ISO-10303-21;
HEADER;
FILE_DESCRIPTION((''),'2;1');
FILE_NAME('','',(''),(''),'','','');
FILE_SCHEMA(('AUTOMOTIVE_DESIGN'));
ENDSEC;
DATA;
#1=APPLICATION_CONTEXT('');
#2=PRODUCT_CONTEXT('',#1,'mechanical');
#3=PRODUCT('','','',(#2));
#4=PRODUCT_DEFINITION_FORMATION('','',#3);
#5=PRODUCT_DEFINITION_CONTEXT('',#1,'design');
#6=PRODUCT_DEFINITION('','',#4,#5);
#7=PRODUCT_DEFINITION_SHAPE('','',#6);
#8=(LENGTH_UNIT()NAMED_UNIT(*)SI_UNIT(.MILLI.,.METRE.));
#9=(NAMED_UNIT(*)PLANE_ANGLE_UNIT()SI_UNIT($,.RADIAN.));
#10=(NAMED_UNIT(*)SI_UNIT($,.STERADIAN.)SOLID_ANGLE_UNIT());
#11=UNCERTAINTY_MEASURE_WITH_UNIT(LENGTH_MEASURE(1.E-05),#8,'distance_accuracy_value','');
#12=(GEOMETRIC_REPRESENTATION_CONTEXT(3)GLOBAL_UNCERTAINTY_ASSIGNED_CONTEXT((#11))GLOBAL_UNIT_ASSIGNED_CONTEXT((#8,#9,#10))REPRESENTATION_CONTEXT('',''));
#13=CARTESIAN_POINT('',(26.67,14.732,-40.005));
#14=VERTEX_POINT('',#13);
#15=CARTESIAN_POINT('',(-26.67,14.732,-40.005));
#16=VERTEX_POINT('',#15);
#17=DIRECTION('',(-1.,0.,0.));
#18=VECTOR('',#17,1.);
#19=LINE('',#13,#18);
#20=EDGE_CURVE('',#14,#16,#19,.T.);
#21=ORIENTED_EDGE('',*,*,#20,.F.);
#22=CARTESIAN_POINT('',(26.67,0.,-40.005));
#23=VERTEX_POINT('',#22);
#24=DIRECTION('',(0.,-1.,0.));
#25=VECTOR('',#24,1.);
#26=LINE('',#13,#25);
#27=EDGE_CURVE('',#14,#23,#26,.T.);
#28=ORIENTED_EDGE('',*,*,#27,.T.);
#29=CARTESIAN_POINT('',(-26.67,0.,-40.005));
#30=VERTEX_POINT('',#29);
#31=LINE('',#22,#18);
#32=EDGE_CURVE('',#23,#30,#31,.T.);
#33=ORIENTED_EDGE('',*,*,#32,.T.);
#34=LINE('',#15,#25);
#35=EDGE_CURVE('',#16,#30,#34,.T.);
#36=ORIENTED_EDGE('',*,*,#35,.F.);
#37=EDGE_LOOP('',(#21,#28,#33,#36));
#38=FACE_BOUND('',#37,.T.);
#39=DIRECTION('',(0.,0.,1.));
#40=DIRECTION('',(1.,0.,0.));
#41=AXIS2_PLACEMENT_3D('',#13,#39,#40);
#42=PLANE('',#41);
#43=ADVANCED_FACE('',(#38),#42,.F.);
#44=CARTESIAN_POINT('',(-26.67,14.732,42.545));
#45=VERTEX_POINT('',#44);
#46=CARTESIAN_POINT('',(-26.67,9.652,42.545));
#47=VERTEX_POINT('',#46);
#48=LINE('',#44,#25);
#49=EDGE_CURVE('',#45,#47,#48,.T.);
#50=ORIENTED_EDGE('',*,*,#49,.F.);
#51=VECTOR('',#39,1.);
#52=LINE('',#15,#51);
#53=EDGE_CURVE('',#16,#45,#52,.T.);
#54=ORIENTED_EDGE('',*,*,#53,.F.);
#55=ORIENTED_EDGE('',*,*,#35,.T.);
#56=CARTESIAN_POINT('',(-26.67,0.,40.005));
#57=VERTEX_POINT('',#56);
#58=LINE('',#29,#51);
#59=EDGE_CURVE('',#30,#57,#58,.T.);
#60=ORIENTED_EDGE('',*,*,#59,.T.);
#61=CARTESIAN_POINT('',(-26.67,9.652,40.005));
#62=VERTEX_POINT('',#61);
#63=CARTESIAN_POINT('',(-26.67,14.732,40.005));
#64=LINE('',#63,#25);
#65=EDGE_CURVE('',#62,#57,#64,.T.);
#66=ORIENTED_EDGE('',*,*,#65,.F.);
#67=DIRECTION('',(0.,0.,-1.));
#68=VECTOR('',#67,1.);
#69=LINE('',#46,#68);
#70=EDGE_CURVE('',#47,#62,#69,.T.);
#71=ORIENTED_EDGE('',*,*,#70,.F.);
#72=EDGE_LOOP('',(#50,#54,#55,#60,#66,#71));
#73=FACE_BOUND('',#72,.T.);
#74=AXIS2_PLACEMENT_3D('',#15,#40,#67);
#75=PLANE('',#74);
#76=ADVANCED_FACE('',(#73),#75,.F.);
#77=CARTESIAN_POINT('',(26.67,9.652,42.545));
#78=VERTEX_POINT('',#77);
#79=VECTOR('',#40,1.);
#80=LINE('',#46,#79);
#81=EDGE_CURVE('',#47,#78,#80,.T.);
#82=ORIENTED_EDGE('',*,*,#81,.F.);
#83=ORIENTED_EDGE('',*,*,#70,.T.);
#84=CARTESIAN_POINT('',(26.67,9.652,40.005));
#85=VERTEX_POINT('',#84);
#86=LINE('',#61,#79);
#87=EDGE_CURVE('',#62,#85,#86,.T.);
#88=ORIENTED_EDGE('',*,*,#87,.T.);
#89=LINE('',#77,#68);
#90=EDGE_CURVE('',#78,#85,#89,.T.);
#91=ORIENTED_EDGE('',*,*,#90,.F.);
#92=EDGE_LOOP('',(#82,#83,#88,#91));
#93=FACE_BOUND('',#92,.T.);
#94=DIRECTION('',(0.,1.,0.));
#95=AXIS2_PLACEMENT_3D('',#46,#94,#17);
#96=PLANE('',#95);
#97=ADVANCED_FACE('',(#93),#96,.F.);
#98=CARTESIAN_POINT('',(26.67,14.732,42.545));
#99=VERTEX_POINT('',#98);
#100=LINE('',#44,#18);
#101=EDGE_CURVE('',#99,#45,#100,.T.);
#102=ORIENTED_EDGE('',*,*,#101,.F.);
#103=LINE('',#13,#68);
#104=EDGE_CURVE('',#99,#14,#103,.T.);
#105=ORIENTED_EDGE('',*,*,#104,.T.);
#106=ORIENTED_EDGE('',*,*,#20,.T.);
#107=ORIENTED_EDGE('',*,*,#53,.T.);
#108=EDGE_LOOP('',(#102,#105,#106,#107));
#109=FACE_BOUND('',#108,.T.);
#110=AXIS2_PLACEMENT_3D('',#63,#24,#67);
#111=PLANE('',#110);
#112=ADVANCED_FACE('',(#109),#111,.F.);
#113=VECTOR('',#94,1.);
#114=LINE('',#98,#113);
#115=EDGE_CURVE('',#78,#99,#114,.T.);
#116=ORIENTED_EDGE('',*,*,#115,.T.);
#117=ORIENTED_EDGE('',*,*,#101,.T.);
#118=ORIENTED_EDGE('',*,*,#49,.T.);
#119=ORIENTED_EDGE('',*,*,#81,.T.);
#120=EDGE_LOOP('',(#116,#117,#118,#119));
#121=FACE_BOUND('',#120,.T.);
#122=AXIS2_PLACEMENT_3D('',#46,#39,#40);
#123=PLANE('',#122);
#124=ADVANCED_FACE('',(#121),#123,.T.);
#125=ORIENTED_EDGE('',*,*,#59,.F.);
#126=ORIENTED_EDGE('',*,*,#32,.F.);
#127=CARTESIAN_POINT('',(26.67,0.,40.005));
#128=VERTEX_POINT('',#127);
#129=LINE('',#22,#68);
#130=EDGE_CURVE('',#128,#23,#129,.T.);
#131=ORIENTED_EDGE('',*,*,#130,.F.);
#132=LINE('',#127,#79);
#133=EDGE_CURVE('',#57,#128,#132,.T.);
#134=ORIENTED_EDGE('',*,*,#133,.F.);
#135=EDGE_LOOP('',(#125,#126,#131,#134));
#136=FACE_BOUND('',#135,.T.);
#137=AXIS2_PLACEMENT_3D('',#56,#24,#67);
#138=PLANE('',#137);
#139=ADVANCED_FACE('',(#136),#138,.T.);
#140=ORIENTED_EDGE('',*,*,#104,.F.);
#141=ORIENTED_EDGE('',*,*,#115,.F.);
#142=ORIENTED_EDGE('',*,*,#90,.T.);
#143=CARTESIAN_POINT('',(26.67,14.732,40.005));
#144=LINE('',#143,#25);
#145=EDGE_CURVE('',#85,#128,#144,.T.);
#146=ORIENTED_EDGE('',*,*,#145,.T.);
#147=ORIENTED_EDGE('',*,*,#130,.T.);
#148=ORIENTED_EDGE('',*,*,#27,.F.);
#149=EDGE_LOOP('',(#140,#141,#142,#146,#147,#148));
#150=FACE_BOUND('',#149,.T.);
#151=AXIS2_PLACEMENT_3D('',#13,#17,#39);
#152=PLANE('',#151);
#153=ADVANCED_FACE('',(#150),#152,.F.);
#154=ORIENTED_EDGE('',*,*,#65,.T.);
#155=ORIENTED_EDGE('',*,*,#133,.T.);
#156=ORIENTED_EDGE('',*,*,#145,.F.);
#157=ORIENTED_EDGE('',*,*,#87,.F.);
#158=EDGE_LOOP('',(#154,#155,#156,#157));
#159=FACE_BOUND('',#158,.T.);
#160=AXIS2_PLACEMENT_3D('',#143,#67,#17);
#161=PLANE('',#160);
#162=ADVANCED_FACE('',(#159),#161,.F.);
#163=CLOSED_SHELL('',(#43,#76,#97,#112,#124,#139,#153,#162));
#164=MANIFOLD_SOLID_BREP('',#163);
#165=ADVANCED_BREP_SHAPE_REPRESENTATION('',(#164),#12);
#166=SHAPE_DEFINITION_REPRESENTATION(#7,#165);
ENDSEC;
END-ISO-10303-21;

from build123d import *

# Parameters (mm, degrees)
SKETCH1_W           = 53.34
SKETCH1_H           = 80.01
BOSS_EXTRUDE1_DEPTH = 14.732
SKETCH2_W           = 53.34
SKETCH2_H           = 5.08
BOSS_EXTRUDE2_DEPTH = 2.54


with BuildPart() as part:
    # Sketch1 → Boss-Extrude1 (new body)
    with BuildSketch(Plane(origin=(0, 0, 0), x_dir=(1, 0, 0), z_dir=(0, 1, 0))):
        Rectangle(SKETCH1_W, SKETCH1_H)
    extrude(amount=BOSS_EXTRUDE1_DEPTH)

    # Sketch2 → Boss-Extrude2 (add)
    with BuildSketch(Plane.XY.offset(40.005)):
        with Locations((0, 12.192)):
            Rectangle(SKETCH2_W, SKETCH2_H)
    extrude(amount=BOSS_EXTRUDE2_DEPTH)


solid = part.part
